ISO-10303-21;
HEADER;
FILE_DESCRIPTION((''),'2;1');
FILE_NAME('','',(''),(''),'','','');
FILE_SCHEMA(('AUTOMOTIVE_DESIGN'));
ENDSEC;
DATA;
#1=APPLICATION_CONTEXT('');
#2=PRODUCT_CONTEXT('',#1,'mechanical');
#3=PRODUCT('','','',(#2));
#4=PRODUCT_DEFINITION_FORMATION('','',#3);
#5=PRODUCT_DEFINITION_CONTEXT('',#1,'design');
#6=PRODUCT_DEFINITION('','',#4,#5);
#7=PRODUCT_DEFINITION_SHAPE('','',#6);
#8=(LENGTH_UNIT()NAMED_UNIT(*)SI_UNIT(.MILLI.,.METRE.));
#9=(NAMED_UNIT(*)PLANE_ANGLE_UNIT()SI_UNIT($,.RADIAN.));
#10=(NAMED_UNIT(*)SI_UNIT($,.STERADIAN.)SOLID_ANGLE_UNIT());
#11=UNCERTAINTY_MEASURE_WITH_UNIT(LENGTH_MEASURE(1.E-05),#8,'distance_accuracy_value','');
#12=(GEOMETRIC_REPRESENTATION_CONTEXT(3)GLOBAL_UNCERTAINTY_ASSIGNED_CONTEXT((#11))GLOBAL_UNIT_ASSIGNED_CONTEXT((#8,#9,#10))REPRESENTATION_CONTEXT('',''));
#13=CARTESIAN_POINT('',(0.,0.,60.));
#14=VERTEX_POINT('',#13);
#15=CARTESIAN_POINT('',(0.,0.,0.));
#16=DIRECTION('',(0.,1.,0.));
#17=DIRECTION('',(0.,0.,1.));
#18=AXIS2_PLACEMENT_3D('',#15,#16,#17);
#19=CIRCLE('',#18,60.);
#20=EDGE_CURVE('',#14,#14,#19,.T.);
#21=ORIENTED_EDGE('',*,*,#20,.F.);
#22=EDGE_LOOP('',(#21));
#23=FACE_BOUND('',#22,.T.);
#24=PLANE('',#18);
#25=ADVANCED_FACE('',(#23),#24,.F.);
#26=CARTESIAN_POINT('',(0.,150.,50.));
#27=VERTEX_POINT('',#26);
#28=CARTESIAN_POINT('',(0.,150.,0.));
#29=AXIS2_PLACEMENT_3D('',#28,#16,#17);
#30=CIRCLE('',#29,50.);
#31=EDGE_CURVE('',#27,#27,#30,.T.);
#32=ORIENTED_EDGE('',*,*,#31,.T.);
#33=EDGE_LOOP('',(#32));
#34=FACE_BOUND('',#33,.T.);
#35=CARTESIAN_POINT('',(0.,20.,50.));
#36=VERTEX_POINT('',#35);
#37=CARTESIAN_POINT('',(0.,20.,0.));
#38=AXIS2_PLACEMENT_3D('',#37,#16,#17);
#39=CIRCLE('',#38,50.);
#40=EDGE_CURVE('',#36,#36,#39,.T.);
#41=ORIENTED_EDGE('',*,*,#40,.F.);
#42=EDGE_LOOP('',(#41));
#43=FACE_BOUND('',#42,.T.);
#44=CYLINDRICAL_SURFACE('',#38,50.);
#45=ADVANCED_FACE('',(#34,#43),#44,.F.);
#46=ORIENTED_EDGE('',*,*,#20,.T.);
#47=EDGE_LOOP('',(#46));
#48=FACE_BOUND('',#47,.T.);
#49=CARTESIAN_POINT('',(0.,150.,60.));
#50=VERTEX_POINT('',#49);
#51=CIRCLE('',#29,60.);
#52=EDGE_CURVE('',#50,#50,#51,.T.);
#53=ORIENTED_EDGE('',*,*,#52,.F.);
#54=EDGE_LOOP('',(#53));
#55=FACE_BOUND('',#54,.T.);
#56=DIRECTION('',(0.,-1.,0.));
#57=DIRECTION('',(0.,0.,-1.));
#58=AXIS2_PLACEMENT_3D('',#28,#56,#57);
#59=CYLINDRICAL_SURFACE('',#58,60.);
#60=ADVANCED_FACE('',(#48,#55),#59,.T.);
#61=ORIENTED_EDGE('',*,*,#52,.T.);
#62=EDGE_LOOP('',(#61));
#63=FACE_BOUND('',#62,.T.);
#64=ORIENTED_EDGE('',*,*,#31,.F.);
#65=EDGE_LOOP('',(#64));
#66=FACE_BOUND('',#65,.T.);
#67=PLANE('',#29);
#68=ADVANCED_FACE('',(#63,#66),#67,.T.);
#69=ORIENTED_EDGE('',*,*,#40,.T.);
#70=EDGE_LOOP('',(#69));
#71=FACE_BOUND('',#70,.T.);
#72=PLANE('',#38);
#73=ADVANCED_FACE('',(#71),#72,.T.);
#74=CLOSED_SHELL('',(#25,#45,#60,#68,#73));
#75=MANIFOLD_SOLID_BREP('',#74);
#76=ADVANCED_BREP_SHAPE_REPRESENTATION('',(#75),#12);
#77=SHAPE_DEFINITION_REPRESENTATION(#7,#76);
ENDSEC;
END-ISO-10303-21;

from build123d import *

# Parameters (mm, degrees)
SKETCH1_R           = 60
BOSS_EXTRUDE1_DEPTH = 150
SKETCH2_R           = 50
CUT_EXTRUDE1_DEPTH  = 130


with BuildPart() as part:
    # Sketch1 → Boss-Extrude1 (new body)
    with BuildSketch(Plane(origin=(0, 0, 0), x_dir=(1, 0, 0), z_dir=(0, 1, 0))):
        with Locations(Location((0, 0, 0), (0, 0, 270))):
            Circle(SKETCH1_R)
    extrude(amount=BOSS_EXTRUDE1_DEPTH)

    # Sketch2 → Cut-Extrude1 (cut)
    with BuildSketch(Plane(origin=(0, 150, 0), x_dir=(1, 0, 0), z_dir=(0, 1, 0))):
        with Locations(Location((0, 0, 0), (0, 0, 270))):
            Circle(SKETCH2_R)
    extrude(amount=-CUT_EXTRUDE1_DEPTH, mode=Mode.SUBTRACT)


solid = part.part
